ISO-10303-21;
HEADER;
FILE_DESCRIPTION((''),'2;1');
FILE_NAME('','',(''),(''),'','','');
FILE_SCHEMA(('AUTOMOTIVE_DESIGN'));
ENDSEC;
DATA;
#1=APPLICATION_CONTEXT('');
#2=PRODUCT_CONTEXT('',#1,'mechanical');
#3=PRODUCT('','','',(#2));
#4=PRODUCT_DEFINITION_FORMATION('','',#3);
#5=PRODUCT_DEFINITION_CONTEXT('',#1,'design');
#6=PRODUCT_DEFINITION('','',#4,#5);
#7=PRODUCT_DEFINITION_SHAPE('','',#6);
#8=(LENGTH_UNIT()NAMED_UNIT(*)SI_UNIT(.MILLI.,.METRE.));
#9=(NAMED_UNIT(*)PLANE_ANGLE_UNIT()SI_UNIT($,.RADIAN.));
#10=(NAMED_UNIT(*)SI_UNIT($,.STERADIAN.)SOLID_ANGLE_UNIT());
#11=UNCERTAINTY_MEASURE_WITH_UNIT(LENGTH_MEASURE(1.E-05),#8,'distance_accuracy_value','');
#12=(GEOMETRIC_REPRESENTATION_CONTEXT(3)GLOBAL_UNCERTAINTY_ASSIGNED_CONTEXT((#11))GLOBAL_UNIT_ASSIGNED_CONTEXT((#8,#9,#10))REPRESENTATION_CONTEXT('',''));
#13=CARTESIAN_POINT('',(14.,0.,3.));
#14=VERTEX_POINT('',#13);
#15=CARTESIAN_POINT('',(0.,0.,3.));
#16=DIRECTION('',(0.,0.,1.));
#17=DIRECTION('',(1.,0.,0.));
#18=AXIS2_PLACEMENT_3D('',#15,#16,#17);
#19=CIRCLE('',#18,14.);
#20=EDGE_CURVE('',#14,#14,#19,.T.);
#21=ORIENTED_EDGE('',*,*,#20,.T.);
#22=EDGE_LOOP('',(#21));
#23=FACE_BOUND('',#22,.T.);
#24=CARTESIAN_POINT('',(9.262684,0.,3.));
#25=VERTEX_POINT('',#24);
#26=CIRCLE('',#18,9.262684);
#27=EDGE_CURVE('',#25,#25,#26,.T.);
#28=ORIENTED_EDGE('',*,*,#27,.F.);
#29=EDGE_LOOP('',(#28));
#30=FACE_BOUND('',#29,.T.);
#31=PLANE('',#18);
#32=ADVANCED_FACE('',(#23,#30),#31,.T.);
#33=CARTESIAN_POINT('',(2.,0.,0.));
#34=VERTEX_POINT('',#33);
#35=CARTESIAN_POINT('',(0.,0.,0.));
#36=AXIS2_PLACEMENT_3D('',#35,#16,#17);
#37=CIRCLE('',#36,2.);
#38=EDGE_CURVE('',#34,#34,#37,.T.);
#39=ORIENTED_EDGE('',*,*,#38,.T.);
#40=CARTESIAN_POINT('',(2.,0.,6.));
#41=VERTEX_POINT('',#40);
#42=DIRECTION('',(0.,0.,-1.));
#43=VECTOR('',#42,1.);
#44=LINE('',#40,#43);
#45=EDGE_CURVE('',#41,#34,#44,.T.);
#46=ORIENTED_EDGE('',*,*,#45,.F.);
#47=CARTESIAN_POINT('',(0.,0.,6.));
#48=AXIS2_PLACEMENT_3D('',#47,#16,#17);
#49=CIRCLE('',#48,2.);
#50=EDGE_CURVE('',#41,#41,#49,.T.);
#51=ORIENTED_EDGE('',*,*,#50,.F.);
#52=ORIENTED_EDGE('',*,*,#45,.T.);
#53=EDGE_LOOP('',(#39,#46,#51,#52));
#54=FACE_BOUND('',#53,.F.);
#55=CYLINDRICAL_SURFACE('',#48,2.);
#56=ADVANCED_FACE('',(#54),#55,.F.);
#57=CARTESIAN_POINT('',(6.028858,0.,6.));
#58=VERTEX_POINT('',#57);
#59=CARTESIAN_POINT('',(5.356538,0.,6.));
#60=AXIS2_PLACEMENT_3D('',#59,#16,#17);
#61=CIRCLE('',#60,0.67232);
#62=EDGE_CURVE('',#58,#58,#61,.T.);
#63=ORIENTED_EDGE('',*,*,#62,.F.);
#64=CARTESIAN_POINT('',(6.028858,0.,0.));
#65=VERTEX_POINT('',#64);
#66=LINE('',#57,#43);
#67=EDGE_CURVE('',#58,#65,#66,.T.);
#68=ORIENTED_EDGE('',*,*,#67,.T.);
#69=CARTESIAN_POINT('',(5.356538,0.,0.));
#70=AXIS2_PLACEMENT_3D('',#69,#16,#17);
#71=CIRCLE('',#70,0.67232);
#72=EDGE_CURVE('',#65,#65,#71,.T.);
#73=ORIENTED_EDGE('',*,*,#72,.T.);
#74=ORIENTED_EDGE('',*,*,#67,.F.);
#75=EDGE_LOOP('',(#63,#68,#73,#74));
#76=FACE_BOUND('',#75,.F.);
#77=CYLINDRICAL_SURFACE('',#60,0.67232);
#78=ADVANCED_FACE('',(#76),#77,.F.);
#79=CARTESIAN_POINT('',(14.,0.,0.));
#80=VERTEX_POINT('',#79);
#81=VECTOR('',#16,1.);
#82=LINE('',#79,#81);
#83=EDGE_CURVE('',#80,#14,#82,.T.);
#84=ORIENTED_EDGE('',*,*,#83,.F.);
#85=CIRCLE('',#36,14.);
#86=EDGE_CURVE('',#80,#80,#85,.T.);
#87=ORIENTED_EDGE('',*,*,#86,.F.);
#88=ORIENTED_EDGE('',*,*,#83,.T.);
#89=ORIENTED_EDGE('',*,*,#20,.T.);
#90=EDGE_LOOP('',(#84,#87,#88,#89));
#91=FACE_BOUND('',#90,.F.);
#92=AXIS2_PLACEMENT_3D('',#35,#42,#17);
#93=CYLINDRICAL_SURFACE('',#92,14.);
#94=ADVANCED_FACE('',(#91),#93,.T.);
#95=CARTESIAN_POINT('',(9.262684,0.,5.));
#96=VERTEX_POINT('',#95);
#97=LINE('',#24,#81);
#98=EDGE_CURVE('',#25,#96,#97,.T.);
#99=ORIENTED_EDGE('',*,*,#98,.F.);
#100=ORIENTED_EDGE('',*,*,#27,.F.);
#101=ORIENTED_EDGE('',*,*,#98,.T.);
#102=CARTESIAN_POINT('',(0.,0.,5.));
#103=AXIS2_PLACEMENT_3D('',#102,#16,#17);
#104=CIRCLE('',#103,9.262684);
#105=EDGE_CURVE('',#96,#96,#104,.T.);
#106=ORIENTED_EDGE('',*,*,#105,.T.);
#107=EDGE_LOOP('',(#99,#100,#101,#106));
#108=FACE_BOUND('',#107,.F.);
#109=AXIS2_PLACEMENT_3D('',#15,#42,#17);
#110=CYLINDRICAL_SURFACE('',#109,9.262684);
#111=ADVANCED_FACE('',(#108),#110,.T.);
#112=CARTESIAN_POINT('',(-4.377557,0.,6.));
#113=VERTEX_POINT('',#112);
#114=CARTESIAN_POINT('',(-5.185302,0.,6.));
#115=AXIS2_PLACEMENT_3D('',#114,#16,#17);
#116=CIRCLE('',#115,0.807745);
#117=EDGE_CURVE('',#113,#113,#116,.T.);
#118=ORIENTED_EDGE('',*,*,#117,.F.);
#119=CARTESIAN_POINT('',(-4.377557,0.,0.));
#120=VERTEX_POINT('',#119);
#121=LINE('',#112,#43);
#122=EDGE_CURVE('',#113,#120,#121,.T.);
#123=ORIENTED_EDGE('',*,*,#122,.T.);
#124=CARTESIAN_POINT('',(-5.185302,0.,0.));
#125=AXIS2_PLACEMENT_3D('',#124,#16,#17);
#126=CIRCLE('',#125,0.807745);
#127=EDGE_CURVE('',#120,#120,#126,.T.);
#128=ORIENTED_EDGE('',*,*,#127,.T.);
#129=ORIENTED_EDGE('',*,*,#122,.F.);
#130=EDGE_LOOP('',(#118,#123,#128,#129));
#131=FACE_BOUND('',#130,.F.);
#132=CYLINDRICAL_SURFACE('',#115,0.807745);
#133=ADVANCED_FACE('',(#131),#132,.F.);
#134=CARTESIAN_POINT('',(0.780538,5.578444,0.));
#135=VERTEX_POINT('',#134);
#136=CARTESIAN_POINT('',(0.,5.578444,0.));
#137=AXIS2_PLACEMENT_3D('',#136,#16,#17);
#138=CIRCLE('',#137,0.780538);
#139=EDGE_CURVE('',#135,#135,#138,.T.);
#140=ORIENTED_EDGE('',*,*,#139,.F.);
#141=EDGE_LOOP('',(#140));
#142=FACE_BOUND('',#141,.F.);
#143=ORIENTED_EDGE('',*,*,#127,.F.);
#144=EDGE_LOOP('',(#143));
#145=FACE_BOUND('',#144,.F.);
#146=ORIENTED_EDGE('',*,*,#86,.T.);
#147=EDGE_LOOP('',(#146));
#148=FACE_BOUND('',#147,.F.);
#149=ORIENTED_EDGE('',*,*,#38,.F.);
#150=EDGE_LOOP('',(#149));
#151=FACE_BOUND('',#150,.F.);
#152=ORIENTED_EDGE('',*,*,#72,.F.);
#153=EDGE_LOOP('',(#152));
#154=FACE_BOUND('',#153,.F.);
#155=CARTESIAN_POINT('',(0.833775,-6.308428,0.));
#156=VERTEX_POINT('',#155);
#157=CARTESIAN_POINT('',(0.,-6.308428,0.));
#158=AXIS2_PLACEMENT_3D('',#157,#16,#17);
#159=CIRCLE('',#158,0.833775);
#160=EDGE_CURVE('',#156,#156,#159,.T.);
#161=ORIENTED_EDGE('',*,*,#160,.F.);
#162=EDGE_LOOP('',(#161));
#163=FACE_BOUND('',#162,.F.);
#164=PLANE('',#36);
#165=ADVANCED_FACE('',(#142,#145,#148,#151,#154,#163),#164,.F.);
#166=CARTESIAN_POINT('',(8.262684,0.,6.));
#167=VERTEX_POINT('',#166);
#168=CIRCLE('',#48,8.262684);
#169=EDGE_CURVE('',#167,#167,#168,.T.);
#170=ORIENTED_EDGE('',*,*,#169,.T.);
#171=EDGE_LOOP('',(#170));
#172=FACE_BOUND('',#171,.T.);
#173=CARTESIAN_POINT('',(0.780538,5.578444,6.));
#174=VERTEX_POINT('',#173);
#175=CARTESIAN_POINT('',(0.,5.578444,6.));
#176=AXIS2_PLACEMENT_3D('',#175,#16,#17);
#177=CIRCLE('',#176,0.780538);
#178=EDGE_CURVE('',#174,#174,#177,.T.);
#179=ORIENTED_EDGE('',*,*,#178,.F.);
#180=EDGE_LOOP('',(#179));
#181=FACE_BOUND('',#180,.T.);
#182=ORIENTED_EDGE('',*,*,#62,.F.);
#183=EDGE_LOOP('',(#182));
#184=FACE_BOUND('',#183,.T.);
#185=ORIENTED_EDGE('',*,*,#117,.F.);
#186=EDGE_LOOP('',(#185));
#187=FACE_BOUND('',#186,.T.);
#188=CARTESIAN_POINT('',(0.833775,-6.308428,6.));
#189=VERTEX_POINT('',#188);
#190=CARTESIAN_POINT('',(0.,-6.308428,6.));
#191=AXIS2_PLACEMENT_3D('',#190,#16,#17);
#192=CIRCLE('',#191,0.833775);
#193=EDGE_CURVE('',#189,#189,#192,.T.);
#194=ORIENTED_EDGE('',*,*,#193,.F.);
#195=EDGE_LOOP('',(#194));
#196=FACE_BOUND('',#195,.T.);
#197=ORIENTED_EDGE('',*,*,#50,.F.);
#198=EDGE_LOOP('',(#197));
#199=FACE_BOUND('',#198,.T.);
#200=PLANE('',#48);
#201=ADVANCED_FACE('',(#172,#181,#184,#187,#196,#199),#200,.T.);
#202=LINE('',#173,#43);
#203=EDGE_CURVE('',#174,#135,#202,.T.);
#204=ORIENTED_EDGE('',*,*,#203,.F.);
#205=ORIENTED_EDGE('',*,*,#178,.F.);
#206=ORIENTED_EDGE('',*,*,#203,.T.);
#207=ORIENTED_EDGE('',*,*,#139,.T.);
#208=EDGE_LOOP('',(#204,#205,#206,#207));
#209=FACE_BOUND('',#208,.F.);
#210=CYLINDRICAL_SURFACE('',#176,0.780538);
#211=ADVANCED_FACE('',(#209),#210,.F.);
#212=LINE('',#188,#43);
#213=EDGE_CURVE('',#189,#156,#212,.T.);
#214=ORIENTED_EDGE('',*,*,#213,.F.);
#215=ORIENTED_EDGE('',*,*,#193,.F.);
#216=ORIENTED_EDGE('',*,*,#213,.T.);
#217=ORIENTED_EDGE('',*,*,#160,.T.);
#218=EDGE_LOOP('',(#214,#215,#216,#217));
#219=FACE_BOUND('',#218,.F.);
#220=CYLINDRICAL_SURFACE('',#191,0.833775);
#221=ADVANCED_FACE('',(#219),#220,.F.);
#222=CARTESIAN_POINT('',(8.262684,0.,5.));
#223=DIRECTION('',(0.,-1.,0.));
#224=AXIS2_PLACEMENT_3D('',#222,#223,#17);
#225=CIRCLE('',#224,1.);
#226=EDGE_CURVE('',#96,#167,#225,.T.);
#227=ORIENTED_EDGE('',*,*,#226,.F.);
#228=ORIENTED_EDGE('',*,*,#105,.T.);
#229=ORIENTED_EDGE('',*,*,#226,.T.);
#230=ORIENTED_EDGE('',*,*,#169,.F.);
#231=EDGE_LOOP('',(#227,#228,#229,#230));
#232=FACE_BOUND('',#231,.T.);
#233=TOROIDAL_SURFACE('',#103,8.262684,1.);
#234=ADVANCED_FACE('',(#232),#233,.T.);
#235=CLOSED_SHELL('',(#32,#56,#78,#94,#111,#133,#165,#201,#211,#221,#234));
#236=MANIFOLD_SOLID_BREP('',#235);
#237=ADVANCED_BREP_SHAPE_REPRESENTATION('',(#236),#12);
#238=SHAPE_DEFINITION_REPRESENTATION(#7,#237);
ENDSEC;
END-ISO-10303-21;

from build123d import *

# Parameters (mm, degrees)
F0_R     = 14
F1_DEPTH = 3
F2_R     = 9.262684
F3_DEPTH = 3
F4_R     = 2
F5_DEPTH = 30
F6_R     = 0.780538
F6_R_2   = 0.67232
F6_R_3   = 0.833775
F6_R_4   = 0.807745
F7_DEPTH = 25.4
F8_R     = 1


with BuildPart() as f1:
    # F0 (on Top) → F1 (new body)
    with BuildSketch(Plane.XY):
        Circle(F0_R)
    extrude(amount=F1_DEPTH)

    # F2 (on face) → F3 (join)
    with BuildSketch(Plane.XY.offset(3)):
        Circle(F2_R)
    extrude(amount=F3_DEPTH)

    # F4 (on face) → F5 (cut)
    with BuildSketch(Plane.XY.offset(6)):
        Circle(F4_R)
    extrude(amount=-F5_DEPTH, mode=Mode.SUBTRACT)

    # F6 (on face) → F7 (cut)
    with BuildSketch(Plane.XY.offset(6)):
        with Locations((0, 5.578444)):
            Circle(F6_R)
        with Locations((5.356538, 0)):
            Circle(F6_R_2)
        with Locations((0, -6.308428)):
            Circle(F6_R_3)
        with Locations((-5.185302, 0)):
            Circle(F6_R_4)
    extrude(amount=-F7_DEPTH, mode=Mode.SUBTRACT)

    # F8
    f8_edges = [f1.edges().sort_by_distance(p)[0] for p in [
        (-9.262684, 0, 6),
    ]]
    fillet(f8_edges, radius=F8_R)


solid = f1.part
